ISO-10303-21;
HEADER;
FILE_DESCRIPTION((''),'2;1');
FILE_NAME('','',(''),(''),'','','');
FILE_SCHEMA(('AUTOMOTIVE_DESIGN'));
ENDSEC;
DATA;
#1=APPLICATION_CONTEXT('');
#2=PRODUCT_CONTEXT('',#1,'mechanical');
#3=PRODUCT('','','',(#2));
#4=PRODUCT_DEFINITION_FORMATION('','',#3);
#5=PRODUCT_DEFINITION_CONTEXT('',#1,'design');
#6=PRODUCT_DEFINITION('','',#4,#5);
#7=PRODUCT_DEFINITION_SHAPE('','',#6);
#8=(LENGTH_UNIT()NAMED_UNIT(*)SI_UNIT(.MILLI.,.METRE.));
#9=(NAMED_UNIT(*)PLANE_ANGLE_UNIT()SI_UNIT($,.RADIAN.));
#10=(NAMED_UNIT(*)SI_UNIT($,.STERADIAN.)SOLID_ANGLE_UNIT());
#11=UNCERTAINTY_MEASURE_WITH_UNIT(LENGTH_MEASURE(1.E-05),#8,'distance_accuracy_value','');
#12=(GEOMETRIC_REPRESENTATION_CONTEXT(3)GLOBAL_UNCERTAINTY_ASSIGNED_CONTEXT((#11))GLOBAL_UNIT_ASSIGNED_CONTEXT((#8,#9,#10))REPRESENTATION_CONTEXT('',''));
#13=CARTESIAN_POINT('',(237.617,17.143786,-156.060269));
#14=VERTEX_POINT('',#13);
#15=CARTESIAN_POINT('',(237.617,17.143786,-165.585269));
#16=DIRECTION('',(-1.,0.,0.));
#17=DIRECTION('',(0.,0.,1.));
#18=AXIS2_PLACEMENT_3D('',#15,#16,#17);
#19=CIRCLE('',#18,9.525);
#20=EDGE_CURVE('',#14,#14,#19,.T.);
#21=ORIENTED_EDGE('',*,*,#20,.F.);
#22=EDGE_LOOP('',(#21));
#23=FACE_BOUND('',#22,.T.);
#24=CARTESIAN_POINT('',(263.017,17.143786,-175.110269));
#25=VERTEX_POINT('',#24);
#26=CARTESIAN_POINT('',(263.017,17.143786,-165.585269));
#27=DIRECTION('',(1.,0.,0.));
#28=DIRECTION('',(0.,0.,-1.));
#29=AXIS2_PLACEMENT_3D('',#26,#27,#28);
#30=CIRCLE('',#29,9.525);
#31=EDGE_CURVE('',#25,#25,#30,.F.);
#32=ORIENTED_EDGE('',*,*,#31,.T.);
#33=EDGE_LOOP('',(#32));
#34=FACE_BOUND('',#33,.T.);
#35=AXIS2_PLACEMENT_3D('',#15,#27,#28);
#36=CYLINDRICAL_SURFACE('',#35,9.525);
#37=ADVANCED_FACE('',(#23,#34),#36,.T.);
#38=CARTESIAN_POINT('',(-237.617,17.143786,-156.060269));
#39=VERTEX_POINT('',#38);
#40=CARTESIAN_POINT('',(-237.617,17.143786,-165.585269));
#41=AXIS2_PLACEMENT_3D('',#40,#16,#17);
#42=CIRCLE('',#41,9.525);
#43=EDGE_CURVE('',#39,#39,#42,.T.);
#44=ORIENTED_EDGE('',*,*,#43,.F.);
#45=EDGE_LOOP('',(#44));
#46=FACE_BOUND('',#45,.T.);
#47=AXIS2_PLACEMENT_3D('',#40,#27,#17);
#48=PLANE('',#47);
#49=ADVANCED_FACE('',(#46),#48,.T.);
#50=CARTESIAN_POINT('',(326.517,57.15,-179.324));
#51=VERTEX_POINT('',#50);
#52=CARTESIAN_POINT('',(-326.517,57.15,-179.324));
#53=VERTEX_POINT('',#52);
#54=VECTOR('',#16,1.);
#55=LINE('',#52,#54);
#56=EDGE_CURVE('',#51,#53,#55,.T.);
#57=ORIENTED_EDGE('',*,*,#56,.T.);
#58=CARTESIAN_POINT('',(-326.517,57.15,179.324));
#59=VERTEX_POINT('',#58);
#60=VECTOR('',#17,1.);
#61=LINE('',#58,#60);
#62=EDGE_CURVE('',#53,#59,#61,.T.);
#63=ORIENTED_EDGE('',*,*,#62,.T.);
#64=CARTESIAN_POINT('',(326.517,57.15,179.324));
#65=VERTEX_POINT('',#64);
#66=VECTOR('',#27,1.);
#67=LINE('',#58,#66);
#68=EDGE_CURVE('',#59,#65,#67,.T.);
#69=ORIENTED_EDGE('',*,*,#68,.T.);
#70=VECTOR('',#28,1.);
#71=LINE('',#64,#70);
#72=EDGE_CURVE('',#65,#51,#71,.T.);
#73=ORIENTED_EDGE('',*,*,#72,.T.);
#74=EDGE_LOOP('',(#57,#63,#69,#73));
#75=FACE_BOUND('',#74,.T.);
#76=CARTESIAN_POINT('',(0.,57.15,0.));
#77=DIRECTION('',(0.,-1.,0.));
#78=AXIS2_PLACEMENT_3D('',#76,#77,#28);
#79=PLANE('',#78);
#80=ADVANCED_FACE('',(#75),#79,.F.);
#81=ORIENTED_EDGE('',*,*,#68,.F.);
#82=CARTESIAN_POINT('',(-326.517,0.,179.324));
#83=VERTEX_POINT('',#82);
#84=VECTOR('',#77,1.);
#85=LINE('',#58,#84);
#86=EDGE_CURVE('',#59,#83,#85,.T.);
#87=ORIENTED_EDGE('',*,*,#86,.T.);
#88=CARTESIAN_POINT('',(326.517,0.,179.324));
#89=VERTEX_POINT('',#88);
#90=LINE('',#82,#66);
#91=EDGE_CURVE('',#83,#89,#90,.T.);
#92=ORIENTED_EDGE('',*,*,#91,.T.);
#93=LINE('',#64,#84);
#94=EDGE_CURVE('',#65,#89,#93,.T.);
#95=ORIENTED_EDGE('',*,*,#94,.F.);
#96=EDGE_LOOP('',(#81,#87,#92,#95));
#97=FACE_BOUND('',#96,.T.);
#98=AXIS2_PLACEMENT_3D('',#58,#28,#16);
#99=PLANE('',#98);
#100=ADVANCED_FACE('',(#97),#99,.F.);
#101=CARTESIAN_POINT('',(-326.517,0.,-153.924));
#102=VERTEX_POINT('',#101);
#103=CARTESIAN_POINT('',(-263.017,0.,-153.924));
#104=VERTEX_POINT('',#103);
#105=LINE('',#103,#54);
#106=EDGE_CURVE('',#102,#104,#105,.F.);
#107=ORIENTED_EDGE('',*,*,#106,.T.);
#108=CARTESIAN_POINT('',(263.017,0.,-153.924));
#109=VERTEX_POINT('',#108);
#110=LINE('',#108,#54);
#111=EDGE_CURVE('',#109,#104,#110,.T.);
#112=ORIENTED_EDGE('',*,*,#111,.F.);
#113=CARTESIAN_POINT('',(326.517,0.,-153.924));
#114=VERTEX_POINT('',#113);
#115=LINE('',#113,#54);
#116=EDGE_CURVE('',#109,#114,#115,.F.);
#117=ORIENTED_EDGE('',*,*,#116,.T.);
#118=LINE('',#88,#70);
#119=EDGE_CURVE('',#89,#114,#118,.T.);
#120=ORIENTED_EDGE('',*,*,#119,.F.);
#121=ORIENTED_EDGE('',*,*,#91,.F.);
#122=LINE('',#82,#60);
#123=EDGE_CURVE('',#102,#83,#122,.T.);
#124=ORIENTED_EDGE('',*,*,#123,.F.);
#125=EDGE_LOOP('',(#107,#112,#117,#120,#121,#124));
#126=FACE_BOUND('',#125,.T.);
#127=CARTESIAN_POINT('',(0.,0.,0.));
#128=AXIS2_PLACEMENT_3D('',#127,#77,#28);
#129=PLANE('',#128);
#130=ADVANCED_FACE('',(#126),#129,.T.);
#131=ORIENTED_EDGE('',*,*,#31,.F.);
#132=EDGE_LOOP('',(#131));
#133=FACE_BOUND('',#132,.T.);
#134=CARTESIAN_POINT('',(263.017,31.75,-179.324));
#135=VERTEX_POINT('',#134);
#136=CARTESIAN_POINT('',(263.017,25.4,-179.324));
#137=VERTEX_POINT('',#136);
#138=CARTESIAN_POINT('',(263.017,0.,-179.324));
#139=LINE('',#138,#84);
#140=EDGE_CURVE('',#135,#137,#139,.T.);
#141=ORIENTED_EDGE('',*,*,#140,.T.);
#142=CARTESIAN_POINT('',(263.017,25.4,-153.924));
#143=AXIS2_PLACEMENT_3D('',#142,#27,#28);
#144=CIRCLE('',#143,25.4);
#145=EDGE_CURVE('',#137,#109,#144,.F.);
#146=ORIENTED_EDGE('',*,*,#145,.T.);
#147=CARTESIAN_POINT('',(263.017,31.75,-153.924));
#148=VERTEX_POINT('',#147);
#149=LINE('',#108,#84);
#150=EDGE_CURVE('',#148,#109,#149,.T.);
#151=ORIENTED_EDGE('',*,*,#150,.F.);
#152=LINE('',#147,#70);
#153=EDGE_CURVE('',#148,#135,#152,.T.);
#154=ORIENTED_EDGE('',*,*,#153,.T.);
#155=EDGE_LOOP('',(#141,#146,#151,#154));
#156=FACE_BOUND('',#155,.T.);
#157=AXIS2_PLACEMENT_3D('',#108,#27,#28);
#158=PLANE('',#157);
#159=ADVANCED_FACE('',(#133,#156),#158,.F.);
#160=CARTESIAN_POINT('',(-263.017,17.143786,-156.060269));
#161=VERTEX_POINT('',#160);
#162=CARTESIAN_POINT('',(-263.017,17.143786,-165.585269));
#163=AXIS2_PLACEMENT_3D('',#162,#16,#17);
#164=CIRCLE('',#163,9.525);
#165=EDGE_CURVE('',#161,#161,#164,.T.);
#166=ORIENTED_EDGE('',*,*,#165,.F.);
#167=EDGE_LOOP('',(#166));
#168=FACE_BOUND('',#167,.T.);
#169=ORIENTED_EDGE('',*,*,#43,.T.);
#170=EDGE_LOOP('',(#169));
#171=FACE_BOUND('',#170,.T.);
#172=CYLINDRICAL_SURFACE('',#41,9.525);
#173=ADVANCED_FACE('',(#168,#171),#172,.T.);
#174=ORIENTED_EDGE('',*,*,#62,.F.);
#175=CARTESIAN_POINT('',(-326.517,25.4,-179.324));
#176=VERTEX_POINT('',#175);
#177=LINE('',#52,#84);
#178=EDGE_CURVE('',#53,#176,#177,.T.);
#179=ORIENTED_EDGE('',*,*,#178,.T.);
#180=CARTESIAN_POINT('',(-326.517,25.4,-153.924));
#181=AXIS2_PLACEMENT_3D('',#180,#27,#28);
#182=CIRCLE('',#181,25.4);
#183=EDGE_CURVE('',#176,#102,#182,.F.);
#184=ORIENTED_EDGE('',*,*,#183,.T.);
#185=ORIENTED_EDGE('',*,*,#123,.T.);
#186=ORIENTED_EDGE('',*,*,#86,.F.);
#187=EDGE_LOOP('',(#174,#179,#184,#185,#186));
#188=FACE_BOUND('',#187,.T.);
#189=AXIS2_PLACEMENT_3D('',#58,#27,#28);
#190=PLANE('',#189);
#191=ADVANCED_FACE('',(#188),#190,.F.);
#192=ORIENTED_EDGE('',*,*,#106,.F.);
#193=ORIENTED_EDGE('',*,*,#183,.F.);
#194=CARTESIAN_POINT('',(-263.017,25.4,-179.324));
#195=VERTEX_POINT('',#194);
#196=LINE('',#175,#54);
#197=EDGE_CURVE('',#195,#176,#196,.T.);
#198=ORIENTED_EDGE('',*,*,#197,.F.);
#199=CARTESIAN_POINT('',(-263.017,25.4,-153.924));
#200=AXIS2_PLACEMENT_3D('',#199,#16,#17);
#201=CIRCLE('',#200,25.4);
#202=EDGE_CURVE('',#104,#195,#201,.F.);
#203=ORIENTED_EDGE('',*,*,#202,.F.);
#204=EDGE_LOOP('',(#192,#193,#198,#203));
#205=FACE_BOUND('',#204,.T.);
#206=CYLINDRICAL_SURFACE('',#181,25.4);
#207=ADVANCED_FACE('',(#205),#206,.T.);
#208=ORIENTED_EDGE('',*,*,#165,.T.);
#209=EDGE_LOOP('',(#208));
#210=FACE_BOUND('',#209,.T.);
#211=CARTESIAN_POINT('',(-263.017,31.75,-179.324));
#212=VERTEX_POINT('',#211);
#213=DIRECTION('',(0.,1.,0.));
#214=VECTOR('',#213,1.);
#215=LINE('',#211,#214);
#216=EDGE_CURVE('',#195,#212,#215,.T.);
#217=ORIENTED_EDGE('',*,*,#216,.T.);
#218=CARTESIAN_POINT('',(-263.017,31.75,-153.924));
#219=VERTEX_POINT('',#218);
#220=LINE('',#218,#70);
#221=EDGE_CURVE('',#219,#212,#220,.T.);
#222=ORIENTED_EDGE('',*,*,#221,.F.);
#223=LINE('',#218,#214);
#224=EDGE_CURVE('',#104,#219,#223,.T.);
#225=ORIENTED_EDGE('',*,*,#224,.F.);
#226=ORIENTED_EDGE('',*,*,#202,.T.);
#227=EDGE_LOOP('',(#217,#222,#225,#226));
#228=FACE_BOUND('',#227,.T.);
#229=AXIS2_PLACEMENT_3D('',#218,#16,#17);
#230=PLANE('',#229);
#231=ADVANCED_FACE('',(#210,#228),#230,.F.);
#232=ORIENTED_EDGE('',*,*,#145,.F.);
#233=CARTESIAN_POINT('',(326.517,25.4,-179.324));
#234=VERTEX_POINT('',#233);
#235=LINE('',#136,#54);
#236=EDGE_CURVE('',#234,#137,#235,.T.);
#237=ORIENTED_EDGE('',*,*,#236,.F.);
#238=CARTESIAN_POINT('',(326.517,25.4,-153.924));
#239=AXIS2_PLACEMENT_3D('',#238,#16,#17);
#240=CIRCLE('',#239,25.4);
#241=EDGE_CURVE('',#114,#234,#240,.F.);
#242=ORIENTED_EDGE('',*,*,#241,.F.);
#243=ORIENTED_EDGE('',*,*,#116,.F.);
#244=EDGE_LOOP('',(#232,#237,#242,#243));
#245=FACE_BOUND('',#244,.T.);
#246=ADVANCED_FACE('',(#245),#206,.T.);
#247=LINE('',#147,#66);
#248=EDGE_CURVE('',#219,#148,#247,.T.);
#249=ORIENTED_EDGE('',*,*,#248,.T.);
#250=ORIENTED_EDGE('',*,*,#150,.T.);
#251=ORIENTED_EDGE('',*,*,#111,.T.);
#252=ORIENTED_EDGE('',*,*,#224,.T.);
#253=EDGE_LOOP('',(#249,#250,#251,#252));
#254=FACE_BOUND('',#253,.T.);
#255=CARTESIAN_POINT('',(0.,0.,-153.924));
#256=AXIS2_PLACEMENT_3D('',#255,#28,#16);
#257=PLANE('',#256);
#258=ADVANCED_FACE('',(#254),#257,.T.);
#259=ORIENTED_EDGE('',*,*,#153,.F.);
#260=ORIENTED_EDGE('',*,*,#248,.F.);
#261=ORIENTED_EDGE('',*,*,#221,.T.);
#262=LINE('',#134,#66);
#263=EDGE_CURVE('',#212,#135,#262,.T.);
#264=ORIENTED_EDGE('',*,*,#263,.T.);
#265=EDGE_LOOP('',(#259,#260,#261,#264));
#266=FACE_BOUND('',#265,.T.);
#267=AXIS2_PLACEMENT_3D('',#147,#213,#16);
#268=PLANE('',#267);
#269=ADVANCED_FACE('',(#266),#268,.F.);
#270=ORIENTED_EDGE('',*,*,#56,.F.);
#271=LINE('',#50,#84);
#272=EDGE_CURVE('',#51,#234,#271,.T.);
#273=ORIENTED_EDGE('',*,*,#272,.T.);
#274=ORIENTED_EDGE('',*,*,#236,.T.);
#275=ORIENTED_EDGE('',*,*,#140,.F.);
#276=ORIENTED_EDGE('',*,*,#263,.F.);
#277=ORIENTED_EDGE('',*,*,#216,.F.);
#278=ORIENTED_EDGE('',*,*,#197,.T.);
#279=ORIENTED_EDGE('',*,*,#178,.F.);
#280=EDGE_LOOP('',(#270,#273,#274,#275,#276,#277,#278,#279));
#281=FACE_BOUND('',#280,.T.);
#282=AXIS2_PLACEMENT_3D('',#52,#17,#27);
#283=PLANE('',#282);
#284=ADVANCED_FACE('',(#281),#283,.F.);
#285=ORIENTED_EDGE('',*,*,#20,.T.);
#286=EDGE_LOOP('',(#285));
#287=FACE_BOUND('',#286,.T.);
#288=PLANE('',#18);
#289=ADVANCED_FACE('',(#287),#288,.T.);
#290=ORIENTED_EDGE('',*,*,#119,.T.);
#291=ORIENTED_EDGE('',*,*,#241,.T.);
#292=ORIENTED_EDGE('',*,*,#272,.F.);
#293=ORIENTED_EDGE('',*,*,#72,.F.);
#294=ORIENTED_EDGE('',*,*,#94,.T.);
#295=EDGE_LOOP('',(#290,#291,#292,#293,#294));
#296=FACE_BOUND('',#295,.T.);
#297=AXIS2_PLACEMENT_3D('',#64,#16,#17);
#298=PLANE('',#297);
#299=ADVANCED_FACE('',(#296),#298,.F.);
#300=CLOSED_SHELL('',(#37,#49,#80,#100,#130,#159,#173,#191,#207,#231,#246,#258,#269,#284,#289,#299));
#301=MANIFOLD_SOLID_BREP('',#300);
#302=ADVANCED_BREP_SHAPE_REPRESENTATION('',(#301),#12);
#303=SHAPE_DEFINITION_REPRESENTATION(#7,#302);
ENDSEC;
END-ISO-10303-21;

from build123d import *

# Parameters (mm, degrees)
SKETCH2_W           = 653.034
SKETCH2_H           = 358.648
BOSS_EXTRUDE1_DEPTH = 57.15
SKETCH3_W           = 526.034
SKETCH3_H           = 31.75
CUT_EXTRUDE1_DEPTH  = 25.4
SKETCH4_R           = 9.525
BOSS_EXTRUDE2_DEPTH = 25.4
FILLET1_R           = 25.4


with BuildPart() as part:
    # Sketch2 → Boss-Extrude1 (new body)
    with BuildSketch(Plane(origin=(0, 0, 0), x_dir=(1, 0, 0), z_dir=(0, 1, 0))):
        Rectangle(SKETCH2_W, SKETCH2_H)
    extrude(amount=BOSS_EXTRUDE1_DEPTH)

    # Sketch3 → Cut-Extrude1 (cut)
    with BuildSketch(Plane(origin=(0, 0, -179.324), x_dir=(-1, 0, 0), z_dir=(0, 0, -1))):
        with Locations((0, 15.875)):
            Rectangle(SKETCH3_W, SKETCH3_H)
    extrude(amount=-CUT_EXTRUDE1_DEPTH, mode=Mode.SUBTRACT)

    # Sketch4 → Boss-Extrude2 (add)
    with BuildSketch(Plane.ZY.offset(-263.017)):
        with Locations(Location((-165.585268519, 17.143786042, 0), (0, 0, 180))):
            Circle(SKETCH4_R)
    boss_extrude2 = extrude(amount=BOSS_EXTRUDE2_DEPTH)

    # Mirror1: Boss-Extrude2 across plane
    add(boss_extrude2.mirror(Plane.ZY))

    # Fillet1
    fillet1_edges = [part.edges().sort_by_distance(p)[0] for p in [
        (-294.767, 0, -179.324),
        (294.767, 0, -179.324),
    ]]
    fillet(fillet1_edges, radius=FILLET1_R)


solid = part.part
